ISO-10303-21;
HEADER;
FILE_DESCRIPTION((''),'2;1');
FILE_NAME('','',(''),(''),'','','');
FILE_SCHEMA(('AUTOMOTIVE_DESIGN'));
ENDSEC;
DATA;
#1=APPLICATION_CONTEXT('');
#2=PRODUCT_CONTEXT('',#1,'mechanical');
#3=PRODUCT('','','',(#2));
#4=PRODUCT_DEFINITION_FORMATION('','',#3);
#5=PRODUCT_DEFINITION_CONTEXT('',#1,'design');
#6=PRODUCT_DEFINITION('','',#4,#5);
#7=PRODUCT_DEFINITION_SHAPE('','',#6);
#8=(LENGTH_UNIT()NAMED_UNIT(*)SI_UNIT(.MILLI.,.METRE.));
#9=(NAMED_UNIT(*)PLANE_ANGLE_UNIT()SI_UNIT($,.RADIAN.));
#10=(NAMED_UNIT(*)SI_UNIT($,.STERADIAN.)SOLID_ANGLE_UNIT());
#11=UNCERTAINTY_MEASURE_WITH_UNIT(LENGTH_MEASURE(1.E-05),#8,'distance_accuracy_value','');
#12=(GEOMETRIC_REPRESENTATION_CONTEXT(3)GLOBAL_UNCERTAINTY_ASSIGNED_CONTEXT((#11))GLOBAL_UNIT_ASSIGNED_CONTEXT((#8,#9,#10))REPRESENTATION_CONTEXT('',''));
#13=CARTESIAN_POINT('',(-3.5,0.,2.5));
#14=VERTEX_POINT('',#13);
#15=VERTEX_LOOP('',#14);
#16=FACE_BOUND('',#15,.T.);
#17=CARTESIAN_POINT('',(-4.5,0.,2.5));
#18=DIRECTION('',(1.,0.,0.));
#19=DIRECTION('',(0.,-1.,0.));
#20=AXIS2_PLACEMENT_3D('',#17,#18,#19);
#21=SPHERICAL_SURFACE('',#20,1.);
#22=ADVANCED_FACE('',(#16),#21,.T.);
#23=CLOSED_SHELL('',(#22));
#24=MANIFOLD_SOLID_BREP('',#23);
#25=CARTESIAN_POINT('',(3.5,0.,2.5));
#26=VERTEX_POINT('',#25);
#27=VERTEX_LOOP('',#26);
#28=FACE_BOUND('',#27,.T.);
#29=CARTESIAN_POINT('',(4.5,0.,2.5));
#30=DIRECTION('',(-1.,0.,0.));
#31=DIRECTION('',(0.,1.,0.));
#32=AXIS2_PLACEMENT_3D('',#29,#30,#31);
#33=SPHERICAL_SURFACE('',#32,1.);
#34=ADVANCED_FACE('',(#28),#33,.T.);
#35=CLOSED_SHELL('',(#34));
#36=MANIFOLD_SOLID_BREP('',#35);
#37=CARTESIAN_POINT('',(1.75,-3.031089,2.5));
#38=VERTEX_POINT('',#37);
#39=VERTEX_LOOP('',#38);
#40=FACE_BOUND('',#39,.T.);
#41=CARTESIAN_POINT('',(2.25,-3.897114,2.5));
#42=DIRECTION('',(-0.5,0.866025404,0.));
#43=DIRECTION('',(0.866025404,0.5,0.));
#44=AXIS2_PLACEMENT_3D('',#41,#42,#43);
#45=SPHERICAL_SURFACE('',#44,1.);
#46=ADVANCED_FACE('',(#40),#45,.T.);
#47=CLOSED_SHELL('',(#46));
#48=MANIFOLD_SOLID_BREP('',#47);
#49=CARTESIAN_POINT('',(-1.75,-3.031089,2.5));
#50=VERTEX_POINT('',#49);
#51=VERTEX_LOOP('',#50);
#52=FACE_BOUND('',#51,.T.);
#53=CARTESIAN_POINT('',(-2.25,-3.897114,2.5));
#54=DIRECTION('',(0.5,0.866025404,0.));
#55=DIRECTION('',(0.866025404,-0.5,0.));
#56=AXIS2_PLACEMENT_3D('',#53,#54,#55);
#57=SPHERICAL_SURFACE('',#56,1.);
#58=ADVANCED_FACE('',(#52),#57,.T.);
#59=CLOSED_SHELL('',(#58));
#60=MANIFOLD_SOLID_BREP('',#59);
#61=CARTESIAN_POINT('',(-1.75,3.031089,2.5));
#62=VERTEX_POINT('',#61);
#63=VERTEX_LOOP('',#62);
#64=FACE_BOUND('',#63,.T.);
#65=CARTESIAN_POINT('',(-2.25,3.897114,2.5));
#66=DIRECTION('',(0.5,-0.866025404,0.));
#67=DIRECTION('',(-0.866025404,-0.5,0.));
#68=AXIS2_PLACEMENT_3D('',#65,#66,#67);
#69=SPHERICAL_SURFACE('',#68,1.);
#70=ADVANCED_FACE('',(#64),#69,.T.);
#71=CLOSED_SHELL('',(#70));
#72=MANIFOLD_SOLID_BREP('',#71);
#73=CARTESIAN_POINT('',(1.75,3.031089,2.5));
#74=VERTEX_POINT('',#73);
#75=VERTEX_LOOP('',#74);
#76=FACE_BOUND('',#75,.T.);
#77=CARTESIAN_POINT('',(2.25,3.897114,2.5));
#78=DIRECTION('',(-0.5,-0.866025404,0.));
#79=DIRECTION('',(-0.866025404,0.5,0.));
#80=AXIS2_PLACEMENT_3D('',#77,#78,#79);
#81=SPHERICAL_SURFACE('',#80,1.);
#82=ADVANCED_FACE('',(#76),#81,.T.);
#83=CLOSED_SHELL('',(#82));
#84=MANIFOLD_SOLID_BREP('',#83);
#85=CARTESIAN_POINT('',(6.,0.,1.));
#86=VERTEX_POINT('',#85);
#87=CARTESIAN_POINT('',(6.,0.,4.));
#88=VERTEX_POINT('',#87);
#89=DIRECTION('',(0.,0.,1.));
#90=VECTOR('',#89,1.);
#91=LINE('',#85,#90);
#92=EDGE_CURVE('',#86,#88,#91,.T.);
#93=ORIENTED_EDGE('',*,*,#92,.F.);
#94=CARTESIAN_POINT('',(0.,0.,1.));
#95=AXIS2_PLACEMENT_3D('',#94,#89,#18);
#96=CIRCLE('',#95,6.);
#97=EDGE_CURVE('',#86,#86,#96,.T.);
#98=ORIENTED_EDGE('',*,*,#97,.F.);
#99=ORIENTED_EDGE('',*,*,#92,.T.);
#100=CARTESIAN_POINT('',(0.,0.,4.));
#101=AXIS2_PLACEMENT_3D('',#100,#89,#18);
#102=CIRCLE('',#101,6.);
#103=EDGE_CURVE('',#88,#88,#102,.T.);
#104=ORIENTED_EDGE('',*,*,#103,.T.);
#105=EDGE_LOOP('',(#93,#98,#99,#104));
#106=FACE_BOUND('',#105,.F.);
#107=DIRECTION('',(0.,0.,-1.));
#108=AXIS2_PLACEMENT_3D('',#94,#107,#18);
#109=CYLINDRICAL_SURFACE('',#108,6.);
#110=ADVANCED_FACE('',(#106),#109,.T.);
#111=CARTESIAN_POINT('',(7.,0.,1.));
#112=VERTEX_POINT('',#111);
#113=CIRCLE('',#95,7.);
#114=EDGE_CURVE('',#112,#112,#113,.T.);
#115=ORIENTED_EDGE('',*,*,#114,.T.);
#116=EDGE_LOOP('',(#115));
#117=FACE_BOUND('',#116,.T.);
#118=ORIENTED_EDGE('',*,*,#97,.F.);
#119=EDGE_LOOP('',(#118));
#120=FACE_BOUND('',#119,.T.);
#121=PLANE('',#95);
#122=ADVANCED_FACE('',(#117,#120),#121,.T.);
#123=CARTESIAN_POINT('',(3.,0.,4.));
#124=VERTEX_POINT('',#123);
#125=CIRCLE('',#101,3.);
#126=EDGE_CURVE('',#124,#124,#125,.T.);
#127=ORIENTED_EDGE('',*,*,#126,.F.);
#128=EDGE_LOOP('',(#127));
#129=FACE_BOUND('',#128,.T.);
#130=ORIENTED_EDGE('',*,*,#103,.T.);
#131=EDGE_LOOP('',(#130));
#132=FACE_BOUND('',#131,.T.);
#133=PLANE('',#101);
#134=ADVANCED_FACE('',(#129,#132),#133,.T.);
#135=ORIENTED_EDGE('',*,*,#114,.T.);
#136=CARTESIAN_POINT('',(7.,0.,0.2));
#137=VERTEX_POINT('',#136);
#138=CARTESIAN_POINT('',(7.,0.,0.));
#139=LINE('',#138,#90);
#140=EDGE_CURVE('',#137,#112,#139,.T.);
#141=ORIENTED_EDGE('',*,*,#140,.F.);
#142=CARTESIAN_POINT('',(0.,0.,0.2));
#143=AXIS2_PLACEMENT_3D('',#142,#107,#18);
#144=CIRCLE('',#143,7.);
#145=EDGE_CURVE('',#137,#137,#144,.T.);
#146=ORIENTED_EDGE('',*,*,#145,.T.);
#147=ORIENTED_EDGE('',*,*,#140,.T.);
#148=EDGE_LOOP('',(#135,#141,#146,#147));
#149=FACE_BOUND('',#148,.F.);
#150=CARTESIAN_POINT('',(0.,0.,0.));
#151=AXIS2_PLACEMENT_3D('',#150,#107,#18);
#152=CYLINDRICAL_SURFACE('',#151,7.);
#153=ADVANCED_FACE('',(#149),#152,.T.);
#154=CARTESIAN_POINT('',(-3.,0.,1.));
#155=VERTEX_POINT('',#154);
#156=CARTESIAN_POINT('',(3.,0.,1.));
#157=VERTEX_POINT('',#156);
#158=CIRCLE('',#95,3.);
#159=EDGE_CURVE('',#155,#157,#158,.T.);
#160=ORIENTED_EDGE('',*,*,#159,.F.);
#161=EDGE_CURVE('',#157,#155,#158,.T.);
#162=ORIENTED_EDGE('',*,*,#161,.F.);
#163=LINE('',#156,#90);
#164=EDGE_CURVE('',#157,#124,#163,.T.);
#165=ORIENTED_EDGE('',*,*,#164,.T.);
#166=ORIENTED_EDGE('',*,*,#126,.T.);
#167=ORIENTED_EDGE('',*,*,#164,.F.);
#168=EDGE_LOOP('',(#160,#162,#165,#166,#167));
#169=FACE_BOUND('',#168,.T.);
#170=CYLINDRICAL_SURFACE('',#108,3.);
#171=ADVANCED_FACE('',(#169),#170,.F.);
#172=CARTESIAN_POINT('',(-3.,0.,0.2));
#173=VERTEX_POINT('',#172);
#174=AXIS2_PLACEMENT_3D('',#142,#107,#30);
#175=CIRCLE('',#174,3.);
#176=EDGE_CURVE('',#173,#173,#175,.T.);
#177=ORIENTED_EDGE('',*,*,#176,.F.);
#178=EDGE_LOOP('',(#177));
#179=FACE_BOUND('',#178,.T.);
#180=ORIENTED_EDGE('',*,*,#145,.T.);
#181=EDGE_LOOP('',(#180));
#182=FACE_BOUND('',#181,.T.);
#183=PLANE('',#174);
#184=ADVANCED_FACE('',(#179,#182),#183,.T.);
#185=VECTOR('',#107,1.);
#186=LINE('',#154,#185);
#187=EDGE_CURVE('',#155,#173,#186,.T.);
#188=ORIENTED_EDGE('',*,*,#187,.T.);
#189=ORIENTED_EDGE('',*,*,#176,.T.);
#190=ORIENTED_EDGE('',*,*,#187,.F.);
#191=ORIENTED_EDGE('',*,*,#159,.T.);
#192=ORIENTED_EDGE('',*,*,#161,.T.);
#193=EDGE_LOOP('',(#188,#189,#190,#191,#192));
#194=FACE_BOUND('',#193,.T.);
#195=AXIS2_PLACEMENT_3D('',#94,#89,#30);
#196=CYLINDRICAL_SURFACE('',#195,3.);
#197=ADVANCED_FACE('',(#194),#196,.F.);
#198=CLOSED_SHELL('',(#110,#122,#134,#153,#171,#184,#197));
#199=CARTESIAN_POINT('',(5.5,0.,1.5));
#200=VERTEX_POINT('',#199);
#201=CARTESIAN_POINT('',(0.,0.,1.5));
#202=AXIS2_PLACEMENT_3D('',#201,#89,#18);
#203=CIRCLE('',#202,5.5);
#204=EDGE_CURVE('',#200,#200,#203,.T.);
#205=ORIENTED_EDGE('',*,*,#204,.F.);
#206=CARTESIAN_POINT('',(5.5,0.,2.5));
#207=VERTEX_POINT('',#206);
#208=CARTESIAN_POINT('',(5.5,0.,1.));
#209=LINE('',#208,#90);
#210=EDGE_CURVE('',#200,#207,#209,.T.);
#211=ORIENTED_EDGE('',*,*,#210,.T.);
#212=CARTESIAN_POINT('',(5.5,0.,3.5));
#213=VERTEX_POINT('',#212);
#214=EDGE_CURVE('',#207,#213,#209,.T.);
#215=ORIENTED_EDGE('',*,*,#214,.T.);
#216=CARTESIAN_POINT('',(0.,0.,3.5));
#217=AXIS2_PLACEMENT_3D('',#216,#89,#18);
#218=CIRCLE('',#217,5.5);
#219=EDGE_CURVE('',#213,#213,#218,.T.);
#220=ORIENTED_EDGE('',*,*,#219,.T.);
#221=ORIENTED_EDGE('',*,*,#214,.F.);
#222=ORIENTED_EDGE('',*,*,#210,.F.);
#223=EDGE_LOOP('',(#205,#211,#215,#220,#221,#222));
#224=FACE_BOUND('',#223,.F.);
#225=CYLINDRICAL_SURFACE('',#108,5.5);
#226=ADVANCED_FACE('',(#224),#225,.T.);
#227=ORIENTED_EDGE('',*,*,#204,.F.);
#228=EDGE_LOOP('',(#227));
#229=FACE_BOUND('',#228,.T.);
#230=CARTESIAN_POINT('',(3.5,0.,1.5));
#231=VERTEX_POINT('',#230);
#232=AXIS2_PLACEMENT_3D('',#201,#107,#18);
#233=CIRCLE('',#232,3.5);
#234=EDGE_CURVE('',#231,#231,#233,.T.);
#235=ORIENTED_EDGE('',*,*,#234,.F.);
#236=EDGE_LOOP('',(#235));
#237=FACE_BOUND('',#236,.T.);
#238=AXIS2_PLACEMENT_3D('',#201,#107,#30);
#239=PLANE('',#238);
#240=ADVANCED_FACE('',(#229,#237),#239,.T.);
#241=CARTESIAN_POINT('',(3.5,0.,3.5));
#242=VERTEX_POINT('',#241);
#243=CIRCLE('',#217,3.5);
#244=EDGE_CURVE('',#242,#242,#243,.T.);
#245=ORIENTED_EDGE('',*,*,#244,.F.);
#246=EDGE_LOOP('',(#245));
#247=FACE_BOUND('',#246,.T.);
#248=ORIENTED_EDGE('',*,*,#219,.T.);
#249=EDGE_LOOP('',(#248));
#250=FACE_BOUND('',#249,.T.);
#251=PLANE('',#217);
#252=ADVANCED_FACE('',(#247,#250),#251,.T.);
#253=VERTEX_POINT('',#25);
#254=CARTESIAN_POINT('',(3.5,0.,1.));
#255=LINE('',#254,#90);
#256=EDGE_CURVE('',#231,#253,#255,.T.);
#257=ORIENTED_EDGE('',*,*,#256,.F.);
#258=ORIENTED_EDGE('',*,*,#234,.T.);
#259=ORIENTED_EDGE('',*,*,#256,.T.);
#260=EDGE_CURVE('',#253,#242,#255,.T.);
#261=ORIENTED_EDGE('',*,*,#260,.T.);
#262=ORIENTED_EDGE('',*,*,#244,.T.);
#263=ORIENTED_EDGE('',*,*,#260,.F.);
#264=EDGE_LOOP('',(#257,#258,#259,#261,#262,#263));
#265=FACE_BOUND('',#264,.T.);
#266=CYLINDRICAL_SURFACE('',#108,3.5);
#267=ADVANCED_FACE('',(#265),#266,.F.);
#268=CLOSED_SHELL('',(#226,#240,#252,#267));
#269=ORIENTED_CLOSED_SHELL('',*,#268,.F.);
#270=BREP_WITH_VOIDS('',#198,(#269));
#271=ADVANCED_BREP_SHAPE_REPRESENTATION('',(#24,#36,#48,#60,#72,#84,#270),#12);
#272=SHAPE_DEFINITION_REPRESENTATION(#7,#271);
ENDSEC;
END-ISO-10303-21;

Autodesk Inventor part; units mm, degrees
sketch "スケッチ1" plane through (0, 0, 0) normal (0, 0, 1) x (1, 0, 0)
  circle A0 centre (0, 0) radius 7
  circle A1 centre (0, 0) radius 6
  dimension "d0" = 14
  dimension "d1" = 12
extrude "押し出し1" add sketch "スケッチ1" along normal blind 1
sketch "スケッチ2" plane through (0, 0, 1) normal (0, 0, 1) x (1, 0, 0)
  circle A0 centre (0, 0) radius 5.5
  circle A1 centre (0, 0) radius 3
  circle A2 centre (0, 0) radius 5
  circle A3 centre (0, 0) radius 3.5
  circle A4 centre (0, 0) radius 7 projected
  circle A5 centre (0, 0) radius 7 projected
  circle A6 centre (0, 0) radius 6 projected
  dimension "d4" = 11
  dimension "d5" = 6
  dimension "d6" = 10
  dimension "d7" = 7
extrude "押し出し2" add sketch "スケッチ2" along normal blind 3 contours A3 | A6
ref_plane "作業平面1" through (0, 0, 2.5) normal (0, 0, 1) x (1, 0, 0)
sketch "スケッチ3" plane through (0, 0, 2.5) normal (0, 0, 1) x (1, 0, 0)
  circle A0 centre (0, 0) radius 6 projected
  circle A1 centre (0, 0) radius 5.5 projected
  circle A2 centre (0, 0) radius 3.5 projected
  circle A3 centre (0, 0) radius 3 projected
  circle A4 centre (4.5, 0) radius 1
  circle A5 centre (0, 0) radius 5.5 projected
  circle A6 centre (0, 0) radius 3.5 projected
  circle A7 centre (0, 0) radius 5.5 projected
  line L0 (5.5, 0) -> (3.5, 0)
  circle A8 centre (0, 0) radius 3.5 projected
  dimension "d15" = 2
revolve "回転1" add sketch "スケッチ3" angle 360 about axis through (5.5, 0, 2.5) along (-1, 0, 0) picked at (4.7952, 0.1549) contours L0 A4
pattern_circular "円形状パターン1" count 6 over 360 about axis through (0, 0, -10) along (0, 0, 1) of "回転1"
ref_plane "作業平面2" through (0, 0, 3.5) normal (0, 0, 1) x (1, 0, 0)
ref_plane "作業平面3" through (0, 0, 1.5) normal (0, 0, -1) x (-1, 0, 0)
sketch "スケッチ4" plane through (0, 0, 1.5) normal (0, 0, -1) x (-1, 0, 0)
  circle A0 centre (0, 0) radius 3.5 projected
  circle A1 centre (0, 0) radius 3 projected
  circle A2 centre (0, 0) radius 6 projected
  circle A3 centre (0, 0) radius 5.5 projected
extrude "押し出し3" add sketch "スケッチ4" along normal blind 0.5 contours A3
sketch "スケッチ5" plane through (0, 0, 3.5) normal (0, 0, 1) x (1, 0, 0)
  circle A0 centre (0, 0) radius 5.5 projected
  circle A1 centre (0, 0) radius 3.5 projected
extrude "押し出し4" add sketch "スケッチ5" along normal blind 0.5
sketch "スケッチ6" plane through (0, 0, 1) normal (0, 0, -1) x (-1, 0, 0)
  circle A0 centre (0, 0) radius 6 projected
  circle A1 centre (0, 0) radius 3 projected
extrude "押し出し5" add sketch "スケッチ6" along normal blind 1
sketch "スケッチ7" plane through (0, 0, 0) normal (0, 0, -1) x (-1, 0, 0)
  circle A0 centre (0, 0) radius 3 projected
  circle A1 centre (0, 0) radius 7 projected
extrude "押し出し6" cut sketch "スケッチ7" against normal blind 0.2
properties part number "φ6φ12ベアリングa" material "鋼 AISI 1006 85 HR"
